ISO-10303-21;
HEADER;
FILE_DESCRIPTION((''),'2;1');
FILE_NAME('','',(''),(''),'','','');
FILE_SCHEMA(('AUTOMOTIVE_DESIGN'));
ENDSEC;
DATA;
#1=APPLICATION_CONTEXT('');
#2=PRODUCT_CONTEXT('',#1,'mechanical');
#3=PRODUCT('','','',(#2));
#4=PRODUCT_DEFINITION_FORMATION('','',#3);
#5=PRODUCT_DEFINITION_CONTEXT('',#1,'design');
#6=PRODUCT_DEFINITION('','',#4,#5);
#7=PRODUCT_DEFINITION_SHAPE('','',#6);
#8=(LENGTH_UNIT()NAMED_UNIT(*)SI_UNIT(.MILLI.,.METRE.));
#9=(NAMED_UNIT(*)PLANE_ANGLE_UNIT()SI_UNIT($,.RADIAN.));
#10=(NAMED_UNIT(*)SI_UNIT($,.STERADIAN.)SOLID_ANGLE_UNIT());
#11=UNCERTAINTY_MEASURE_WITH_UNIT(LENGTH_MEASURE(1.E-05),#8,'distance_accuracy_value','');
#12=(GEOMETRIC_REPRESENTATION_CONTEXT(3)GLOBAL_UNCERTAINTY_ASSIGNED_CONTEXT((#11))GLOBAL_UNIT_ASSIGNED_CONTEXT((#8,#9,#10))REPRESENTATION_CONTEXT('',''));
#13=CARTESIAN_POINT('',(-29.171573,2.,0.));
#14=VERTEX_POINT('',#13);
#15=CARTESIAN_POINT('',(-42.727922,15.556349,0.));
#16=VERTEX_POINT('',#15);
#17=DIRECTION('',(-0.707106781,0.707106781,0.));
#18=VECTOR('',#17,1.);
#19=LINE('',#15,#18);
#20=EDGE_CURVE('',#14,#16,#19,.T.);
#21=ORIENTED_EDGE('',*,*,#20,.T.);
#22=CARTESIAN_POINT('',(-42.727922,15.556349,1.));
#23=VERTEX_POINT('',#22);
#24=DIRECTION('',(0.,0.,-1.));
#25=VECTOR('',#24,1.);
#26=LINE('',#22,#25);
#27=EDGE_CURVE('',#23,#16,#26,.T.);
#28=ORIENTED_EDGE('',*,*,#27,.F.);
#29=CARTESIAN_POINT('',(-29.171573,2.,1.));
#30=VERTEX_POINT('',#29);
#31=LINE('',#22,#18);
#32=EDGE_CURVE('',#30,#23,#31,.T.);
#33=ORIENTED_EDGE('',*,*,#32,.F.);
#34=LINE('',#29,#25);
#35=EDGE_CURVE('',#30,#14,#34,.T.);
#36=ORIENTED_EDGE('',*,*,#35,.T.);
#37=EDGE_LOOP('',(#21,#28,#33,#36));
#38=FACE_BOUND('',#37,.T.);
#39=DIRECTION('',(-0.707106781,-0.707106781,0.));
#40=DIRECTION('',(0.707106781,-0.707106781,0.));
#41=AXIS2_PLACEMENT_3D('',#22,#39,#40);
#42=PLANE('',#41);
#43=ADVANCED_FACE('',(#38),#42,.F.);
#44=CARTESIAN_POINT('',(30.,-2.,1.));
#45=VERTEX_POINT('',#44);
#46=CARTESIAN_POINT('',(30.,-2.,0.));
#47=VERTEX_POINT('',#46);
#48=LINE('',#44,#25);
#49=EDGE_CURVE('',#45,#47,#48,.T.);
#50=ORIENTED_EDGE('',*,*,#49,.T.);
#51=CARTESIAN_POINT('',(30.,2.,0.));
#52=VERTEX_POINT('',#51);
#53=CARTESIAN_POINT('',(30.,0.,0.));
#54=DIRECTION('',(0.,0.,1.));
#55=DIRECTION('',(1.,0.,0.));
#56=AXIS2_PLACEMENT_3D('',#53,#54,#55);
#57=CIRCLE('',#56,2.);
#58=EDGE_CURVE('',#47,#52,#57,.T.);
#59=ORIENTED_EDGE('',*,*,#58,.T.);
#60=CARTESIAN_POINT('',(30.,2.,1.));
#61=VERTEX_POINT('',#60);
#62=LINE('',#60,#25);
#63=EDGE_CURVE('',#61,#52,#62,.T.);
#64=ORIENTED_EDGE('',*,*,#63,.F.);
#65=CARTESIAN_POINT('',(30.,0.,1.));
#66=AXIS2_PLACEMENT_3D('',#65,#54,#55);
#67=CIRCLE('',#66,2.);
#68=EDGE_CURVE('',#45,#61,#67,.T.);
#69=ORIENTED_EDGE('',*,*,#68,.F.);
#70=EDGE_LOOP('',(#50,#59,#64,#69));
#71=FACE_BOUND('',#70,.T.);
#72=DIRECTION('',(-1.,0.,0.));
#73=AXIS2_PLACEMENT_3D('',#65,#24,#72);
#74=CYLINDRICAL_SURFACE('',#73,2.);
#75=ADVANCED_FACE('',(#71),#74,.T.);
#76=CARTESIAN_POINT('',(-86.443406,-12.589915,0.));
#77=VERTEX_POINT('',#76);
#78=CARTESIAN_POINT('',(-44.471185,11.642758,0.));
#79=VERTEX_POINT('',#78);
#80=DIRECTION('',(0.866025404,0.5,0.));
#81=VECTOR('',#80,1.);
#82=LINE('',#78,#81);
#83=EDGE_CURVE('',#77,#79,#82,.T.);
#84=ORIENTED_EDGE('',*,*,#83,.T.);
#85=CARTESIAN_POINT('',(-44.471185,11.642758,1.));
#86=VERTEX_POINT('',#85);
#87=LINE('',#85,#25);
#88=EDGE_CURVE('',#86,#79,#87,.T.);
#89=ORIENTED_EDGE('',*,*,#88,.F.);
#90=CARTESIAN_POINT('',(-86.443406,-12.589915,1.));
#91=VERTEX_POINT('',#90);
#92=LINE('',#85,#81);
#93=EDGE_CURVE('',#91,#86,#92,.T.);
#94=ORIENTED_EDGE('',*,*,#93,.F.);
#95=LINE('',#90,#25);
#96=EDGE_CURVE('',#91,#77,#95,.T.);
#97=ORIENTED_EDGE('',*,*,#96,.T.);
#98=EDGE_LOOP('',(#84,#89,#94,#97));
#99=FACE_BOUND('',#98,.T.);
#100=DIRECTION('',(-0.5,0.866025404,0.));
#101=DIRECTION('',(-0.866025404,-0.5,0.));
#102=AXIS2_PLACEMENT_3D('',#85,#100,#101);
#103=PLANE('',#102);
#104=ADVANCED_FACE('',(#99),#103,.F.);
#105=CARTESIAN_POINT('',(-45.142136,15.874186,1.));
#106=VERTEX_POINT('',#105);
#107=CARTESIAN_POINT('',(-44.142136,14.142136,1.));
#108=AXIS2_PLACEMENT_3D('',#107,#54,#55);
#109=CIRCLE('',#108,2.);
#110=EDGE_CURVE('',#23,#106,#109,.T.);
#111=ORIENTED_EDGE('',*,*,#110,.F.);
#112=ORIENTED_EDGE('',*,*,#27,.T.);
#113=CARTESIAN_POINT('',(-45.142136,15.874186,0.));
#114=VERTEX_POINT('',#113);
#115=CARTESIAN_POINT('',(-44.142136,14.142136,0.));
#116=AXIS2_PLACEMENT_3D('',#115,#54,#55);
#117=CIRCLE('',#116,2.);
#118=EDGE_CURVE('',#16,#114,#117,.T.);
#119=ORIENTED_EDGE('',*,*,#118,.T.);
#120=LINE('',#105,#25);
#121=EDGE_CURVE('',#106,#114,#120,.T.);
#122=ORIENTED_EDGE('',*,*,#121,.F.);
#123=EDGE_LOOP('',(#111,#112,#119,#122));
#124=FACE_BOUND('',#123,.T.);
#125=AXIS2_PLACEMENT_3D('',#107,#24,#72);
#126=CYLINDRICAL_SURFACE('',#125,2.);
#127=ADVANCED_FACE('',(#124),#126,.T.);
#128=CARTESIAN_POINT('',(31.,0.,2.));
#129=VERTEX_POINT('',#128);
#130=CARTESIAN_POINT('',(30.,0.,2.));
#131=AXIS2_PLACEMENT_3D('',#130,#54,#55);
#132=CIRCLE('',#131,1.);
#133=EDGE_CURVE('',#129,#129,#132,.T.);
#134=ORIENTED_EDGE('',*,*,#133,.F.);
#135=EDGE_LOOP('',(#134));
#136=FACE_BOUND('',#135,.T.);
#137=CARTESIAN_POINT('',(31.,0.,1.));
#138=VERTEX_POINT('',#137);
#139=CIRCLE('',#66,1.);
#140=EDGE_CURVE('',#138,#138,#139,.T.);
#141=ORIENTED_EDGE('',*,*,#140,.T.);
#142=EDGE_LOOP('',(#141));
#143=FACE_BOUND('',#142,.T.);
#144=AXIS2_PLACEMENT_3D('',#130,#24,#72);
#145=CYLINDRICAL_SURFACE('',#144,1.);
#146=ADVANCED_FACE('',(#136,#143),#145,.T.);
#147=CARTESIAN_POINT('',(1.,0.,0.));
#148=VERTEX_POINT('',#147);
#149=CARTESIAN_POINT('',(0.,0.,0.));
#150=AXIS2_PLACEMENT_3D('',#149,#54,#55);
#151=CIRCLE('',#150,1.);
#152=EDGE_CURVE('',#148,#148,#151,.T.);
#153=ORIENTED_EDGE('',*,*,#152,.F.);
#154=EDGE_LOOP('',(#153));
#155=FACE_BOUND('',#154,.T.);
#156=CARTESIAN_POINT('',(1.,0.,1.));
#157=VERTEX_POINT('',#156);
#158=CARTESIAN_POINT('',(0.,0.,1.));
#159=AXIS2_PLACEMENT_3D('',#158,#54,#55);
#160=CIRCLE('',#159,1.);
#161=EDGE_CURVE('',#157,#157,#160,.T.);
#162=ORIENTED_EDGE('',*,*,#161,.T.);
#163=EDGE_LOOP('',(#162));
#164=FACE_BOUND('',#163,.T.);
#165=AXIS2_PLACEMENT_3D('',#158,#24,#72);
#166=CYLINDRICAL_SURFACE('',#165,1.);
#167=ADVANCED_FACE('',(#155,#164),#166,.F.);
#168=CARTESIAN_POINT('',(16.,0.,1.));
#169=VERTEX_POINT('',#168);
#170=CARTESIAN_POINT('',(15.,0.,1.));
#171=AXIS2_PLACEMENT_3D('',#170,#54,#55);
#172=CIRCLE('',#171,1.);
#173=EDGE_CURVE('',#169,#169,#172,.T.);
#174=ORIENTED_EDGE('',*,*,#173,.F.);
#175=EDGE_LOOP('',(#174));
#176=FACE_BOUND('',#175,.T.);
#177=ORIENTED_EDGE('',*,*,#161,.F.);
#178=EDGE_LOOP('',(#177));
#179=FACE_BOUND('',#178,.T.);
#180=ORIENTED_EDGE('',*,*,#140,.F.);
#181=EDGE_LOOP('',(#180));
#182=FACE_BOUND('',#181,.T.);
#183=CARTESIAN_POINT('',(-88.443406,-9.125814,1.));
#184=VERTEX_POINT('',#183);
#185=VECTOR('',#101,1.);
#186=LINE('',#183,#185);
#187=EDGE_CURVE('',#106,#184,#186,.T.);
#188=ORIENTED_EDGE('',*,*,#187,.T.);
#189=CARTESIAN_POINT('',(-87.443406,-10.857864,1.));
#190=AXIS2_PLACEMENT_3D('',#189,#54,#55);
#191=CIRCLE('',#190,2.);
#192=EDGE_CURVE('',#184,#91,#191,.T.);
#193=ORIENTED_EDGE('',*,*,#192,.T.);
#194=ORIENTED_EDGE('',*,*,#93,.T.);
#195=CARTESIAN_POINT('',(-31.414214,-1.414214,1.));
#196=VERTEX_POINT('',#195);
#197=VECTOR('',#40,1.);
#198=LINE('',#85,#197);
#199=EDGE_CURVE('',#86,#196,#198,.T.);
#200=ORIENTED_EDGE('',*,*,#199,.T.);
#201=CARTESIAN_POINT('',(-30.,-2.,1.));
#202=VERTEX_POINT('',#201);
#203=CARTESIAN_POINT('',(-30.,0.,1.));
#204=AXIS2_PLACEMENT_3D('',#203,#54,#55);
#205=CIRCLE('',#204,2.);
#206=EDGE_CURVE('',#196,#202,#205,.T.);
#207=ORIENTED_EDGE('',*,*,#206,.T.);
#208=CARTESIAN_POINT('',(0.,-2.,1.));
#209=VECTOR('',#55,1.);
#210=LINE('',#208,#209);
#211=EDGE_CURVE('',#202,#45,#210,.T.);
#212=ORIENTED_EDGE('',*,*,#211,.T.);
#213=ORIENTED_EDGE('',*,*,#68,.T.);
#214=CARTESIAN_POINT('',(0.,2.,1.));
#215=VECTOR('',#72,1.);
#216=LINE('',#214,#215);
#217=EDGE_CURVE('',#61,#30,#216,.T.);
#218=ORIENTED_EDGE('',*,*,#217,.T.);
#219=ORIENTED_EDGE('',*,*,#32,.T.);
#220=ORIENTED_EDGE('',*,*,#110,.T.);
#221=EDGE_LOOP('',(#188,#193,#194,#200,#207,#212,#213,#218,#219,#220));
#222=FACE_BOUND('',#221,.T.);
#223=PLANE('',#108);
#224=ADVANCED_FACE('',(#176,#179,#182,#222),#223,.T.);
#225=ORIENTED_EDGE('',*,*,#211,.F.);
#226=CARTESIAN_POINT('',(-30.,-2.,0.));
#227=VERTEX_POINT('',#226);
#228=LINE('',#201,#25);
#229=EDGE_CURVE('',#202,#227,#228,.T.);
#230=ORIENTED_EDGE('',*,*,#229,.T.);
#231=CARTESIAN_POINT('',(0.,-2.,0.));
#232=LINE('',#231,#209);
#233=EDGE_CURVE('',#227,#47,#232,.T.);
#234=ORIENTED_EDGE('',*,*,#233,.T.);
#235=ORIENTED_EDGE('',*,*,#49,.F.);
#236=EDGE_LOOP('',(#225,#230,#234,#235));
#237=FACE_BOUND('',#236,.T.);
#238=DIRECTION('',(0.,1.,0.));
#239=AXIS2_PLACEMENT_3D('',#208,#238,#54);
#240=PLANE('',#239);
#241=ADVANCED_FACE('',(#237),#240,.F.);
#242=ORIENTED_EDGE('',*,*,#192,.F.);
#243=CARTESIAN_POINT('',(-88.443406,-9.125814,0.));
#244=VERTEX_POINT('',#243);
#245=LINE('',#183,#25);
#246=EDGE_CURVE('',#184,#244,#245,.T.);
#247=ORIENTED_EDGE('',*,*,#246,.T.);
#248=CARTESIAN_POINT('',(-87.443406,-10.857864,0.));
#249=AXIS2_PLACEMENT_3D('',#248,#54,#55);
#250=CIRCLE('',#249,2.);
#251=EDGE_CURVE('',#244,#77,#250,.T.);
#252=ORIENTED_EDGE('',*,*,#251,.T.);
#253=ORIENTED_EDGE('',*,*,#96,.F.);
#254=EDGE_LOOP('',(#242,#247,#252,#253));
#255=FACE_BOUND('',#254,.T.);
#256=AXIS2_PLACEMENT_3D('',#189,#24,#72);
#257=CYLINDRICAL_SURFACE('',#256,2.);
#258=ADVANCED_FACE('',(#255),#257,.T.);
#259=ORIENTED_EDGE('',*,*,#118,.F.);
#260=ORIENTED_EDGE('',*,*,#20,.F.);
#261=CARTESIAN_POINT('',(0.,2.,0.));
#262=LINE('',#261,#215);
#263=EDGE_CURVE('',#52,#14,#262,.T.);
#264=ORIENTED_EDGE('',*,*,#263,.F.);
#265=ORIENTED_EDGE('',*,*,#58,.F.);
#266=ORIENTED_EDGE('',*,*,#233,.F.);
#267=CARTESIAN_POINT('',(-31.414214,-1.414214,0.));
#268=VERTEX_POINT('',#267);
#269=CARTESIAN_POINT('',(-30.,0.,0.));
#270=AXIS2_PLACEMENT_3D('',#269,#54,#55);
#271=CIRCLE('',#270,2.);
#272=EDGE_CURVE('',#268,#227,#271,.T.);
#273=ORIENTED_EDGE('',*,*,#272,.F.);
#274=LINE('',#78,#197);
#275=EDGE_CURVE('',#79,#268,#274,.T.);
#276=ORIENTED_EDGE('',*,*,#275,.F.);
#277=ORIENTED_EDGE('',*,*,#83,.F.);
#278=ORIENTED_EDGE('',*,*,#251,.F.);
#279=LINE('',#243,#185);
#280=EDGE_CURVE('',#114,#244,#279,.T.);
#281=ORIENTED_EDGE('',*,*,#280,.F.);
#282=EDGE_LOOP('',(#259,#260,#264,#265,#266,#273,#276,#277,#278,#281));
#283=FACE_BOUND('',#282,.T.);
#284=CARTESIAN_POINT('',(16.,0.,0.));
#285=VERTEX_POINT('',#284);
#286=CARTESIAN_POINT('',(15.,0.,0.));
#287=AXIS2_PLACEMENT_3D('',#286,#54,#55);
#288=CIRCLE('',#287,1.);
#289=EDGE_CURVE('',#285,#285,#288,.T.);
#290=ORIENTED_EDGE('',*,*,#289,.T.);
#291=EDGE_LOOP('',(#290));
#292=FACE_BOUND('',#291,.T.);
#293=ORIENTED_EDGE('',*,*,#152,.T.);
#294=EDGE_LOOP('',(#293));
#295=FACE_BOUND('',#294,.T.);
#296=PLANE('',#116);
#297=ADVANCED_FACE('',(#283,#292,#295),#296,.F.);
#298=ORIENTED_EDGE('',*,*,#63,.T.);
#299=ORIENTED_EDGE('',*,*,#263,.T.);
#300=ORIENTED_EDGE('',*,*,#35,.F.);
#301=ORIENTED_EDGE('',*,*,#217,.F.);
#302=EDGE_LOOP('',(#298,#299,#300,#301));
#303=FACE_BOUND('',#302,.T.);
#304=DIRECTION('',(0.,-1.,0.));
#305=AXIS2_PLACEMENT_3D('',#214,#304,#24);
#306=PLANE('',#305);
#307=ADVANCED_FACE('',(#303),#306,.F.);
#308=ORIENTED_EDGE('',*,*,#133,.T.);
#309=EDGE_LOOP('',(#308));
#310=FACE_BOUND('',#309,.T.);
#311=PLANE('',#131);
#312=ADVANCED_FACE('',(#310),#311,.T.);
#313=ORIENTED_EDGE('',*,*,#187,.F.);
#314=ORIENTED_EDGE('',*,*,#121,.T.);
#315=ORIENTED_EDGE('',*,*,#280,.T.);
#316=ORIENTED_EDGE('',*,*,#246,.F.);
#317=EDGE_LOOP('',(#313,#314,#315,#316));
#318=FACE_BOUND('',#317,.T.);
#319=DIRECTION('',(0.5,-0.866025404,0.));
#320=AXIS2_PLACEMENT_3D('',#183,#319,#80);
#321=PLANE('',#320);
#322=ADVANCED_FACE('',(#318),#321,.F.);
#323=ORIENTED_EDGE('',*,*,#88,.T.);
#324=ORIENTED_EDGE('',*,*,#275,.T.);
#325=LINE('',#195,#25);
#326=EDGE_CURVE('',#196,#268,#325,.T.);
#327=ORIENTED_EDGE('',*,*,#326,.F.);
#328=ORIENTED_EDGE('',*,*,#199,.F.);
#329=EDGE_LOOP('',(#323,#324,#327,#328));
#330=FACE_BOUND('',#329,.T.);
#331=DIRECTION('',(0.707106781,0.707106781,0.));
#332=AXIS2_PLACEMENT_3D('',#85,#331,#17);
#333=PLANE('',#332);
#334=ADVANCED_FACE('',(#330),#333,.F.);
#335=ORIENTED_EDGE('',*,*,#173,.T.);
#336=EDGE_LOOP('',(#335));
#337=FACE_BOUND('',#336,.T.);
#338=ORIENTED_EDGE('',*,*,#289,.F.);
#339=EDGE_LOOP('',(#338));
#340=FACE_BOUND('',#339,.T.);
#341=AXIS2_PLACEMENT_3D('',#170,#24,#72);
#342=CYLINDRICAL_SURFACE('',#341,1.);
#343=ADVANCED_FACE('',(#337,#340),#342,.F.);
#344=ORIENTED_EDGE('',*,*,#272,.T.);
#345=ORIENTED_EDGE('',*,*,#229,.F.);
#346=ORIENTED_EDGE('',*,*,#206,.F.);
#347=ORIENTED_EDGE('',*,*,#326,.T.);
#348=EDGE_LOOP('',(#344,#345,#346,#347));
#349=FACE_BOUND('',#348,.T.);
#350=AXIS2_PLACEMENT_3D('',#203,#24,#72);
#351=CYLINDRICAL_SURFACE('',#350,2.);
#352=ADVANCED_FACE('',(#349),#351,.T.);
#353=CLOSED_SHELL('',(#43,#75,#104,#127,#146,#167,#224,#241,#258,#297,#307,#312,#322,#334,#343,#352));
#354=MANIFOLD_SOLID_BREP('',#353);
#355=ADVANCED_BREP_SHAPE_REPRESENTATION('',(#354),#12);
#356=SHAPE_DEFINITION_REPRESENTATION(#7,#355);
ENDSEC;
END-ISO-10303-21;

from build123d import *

# Parameters (mm, degrees)
SKETCH_1_R      = 1
EXTRUDE_1_DEPTH = 1
SKETCH_2_R      = 1
EXTRUDE_2_DEPTH = 1


with BuildPart() as part:
    # 草图1 → 凸台-拉伸1 (new body)
    with BuildSketch(Plane.XY):
        with BuildLine():
            Line((0, 2), (30, 2))
            ThreePointArc((30, 2), (32, 0), (30, -2))
            Line((30, -2), (0, -2))
            Line((0, -2), (-30, -2))
            ThreePointArc((-30, -2), (-30.765366865, -1.847759065), (-31.414213562, -1.414213562))
            Line((-31.414213562, -1.414213562), (-44.471184953, 11.642757828))
            Line((-44.471184953, 11.642757828), (-86.443405813, -12.589915184))
            ThreePointArc((-86.443405813, -12.589915184), (-89.175456621, -11.857864376), (-88.443405813, -9.125813569))
            Line((-88.443405813, -9.125813569), (-45.142135624, 15.874186431))
            ThreePointArc((-45.142135624, 15.874186431), (-43.881083239, 16.125025346), (-42.727922061, 15.556349186))
            Line((-42.727922061, 15.556349186), (-29.171572875, 2))
            Line((-29.171572875, 2), (0, 2))
        make_face()
        with Locations((15, 0)):
            Circle(SKETCH_1_R, mode=Mode.SUBTRACT)
        Circle(SKETCH_1_R, mode=Mode.SUBTRACT)
    extrude(amount=EXTRUDE_1_DEPTH)

    # 草图2 → 凸台-拉伸2 (add)
    with BuildSketch(Plane.XY.offset(1)):
        with Locations((30, 0)):
            Circle(SKETCH_2_R)
    extrude(amount=EXTRUDE_2_DEPTH)


solid = part.part
